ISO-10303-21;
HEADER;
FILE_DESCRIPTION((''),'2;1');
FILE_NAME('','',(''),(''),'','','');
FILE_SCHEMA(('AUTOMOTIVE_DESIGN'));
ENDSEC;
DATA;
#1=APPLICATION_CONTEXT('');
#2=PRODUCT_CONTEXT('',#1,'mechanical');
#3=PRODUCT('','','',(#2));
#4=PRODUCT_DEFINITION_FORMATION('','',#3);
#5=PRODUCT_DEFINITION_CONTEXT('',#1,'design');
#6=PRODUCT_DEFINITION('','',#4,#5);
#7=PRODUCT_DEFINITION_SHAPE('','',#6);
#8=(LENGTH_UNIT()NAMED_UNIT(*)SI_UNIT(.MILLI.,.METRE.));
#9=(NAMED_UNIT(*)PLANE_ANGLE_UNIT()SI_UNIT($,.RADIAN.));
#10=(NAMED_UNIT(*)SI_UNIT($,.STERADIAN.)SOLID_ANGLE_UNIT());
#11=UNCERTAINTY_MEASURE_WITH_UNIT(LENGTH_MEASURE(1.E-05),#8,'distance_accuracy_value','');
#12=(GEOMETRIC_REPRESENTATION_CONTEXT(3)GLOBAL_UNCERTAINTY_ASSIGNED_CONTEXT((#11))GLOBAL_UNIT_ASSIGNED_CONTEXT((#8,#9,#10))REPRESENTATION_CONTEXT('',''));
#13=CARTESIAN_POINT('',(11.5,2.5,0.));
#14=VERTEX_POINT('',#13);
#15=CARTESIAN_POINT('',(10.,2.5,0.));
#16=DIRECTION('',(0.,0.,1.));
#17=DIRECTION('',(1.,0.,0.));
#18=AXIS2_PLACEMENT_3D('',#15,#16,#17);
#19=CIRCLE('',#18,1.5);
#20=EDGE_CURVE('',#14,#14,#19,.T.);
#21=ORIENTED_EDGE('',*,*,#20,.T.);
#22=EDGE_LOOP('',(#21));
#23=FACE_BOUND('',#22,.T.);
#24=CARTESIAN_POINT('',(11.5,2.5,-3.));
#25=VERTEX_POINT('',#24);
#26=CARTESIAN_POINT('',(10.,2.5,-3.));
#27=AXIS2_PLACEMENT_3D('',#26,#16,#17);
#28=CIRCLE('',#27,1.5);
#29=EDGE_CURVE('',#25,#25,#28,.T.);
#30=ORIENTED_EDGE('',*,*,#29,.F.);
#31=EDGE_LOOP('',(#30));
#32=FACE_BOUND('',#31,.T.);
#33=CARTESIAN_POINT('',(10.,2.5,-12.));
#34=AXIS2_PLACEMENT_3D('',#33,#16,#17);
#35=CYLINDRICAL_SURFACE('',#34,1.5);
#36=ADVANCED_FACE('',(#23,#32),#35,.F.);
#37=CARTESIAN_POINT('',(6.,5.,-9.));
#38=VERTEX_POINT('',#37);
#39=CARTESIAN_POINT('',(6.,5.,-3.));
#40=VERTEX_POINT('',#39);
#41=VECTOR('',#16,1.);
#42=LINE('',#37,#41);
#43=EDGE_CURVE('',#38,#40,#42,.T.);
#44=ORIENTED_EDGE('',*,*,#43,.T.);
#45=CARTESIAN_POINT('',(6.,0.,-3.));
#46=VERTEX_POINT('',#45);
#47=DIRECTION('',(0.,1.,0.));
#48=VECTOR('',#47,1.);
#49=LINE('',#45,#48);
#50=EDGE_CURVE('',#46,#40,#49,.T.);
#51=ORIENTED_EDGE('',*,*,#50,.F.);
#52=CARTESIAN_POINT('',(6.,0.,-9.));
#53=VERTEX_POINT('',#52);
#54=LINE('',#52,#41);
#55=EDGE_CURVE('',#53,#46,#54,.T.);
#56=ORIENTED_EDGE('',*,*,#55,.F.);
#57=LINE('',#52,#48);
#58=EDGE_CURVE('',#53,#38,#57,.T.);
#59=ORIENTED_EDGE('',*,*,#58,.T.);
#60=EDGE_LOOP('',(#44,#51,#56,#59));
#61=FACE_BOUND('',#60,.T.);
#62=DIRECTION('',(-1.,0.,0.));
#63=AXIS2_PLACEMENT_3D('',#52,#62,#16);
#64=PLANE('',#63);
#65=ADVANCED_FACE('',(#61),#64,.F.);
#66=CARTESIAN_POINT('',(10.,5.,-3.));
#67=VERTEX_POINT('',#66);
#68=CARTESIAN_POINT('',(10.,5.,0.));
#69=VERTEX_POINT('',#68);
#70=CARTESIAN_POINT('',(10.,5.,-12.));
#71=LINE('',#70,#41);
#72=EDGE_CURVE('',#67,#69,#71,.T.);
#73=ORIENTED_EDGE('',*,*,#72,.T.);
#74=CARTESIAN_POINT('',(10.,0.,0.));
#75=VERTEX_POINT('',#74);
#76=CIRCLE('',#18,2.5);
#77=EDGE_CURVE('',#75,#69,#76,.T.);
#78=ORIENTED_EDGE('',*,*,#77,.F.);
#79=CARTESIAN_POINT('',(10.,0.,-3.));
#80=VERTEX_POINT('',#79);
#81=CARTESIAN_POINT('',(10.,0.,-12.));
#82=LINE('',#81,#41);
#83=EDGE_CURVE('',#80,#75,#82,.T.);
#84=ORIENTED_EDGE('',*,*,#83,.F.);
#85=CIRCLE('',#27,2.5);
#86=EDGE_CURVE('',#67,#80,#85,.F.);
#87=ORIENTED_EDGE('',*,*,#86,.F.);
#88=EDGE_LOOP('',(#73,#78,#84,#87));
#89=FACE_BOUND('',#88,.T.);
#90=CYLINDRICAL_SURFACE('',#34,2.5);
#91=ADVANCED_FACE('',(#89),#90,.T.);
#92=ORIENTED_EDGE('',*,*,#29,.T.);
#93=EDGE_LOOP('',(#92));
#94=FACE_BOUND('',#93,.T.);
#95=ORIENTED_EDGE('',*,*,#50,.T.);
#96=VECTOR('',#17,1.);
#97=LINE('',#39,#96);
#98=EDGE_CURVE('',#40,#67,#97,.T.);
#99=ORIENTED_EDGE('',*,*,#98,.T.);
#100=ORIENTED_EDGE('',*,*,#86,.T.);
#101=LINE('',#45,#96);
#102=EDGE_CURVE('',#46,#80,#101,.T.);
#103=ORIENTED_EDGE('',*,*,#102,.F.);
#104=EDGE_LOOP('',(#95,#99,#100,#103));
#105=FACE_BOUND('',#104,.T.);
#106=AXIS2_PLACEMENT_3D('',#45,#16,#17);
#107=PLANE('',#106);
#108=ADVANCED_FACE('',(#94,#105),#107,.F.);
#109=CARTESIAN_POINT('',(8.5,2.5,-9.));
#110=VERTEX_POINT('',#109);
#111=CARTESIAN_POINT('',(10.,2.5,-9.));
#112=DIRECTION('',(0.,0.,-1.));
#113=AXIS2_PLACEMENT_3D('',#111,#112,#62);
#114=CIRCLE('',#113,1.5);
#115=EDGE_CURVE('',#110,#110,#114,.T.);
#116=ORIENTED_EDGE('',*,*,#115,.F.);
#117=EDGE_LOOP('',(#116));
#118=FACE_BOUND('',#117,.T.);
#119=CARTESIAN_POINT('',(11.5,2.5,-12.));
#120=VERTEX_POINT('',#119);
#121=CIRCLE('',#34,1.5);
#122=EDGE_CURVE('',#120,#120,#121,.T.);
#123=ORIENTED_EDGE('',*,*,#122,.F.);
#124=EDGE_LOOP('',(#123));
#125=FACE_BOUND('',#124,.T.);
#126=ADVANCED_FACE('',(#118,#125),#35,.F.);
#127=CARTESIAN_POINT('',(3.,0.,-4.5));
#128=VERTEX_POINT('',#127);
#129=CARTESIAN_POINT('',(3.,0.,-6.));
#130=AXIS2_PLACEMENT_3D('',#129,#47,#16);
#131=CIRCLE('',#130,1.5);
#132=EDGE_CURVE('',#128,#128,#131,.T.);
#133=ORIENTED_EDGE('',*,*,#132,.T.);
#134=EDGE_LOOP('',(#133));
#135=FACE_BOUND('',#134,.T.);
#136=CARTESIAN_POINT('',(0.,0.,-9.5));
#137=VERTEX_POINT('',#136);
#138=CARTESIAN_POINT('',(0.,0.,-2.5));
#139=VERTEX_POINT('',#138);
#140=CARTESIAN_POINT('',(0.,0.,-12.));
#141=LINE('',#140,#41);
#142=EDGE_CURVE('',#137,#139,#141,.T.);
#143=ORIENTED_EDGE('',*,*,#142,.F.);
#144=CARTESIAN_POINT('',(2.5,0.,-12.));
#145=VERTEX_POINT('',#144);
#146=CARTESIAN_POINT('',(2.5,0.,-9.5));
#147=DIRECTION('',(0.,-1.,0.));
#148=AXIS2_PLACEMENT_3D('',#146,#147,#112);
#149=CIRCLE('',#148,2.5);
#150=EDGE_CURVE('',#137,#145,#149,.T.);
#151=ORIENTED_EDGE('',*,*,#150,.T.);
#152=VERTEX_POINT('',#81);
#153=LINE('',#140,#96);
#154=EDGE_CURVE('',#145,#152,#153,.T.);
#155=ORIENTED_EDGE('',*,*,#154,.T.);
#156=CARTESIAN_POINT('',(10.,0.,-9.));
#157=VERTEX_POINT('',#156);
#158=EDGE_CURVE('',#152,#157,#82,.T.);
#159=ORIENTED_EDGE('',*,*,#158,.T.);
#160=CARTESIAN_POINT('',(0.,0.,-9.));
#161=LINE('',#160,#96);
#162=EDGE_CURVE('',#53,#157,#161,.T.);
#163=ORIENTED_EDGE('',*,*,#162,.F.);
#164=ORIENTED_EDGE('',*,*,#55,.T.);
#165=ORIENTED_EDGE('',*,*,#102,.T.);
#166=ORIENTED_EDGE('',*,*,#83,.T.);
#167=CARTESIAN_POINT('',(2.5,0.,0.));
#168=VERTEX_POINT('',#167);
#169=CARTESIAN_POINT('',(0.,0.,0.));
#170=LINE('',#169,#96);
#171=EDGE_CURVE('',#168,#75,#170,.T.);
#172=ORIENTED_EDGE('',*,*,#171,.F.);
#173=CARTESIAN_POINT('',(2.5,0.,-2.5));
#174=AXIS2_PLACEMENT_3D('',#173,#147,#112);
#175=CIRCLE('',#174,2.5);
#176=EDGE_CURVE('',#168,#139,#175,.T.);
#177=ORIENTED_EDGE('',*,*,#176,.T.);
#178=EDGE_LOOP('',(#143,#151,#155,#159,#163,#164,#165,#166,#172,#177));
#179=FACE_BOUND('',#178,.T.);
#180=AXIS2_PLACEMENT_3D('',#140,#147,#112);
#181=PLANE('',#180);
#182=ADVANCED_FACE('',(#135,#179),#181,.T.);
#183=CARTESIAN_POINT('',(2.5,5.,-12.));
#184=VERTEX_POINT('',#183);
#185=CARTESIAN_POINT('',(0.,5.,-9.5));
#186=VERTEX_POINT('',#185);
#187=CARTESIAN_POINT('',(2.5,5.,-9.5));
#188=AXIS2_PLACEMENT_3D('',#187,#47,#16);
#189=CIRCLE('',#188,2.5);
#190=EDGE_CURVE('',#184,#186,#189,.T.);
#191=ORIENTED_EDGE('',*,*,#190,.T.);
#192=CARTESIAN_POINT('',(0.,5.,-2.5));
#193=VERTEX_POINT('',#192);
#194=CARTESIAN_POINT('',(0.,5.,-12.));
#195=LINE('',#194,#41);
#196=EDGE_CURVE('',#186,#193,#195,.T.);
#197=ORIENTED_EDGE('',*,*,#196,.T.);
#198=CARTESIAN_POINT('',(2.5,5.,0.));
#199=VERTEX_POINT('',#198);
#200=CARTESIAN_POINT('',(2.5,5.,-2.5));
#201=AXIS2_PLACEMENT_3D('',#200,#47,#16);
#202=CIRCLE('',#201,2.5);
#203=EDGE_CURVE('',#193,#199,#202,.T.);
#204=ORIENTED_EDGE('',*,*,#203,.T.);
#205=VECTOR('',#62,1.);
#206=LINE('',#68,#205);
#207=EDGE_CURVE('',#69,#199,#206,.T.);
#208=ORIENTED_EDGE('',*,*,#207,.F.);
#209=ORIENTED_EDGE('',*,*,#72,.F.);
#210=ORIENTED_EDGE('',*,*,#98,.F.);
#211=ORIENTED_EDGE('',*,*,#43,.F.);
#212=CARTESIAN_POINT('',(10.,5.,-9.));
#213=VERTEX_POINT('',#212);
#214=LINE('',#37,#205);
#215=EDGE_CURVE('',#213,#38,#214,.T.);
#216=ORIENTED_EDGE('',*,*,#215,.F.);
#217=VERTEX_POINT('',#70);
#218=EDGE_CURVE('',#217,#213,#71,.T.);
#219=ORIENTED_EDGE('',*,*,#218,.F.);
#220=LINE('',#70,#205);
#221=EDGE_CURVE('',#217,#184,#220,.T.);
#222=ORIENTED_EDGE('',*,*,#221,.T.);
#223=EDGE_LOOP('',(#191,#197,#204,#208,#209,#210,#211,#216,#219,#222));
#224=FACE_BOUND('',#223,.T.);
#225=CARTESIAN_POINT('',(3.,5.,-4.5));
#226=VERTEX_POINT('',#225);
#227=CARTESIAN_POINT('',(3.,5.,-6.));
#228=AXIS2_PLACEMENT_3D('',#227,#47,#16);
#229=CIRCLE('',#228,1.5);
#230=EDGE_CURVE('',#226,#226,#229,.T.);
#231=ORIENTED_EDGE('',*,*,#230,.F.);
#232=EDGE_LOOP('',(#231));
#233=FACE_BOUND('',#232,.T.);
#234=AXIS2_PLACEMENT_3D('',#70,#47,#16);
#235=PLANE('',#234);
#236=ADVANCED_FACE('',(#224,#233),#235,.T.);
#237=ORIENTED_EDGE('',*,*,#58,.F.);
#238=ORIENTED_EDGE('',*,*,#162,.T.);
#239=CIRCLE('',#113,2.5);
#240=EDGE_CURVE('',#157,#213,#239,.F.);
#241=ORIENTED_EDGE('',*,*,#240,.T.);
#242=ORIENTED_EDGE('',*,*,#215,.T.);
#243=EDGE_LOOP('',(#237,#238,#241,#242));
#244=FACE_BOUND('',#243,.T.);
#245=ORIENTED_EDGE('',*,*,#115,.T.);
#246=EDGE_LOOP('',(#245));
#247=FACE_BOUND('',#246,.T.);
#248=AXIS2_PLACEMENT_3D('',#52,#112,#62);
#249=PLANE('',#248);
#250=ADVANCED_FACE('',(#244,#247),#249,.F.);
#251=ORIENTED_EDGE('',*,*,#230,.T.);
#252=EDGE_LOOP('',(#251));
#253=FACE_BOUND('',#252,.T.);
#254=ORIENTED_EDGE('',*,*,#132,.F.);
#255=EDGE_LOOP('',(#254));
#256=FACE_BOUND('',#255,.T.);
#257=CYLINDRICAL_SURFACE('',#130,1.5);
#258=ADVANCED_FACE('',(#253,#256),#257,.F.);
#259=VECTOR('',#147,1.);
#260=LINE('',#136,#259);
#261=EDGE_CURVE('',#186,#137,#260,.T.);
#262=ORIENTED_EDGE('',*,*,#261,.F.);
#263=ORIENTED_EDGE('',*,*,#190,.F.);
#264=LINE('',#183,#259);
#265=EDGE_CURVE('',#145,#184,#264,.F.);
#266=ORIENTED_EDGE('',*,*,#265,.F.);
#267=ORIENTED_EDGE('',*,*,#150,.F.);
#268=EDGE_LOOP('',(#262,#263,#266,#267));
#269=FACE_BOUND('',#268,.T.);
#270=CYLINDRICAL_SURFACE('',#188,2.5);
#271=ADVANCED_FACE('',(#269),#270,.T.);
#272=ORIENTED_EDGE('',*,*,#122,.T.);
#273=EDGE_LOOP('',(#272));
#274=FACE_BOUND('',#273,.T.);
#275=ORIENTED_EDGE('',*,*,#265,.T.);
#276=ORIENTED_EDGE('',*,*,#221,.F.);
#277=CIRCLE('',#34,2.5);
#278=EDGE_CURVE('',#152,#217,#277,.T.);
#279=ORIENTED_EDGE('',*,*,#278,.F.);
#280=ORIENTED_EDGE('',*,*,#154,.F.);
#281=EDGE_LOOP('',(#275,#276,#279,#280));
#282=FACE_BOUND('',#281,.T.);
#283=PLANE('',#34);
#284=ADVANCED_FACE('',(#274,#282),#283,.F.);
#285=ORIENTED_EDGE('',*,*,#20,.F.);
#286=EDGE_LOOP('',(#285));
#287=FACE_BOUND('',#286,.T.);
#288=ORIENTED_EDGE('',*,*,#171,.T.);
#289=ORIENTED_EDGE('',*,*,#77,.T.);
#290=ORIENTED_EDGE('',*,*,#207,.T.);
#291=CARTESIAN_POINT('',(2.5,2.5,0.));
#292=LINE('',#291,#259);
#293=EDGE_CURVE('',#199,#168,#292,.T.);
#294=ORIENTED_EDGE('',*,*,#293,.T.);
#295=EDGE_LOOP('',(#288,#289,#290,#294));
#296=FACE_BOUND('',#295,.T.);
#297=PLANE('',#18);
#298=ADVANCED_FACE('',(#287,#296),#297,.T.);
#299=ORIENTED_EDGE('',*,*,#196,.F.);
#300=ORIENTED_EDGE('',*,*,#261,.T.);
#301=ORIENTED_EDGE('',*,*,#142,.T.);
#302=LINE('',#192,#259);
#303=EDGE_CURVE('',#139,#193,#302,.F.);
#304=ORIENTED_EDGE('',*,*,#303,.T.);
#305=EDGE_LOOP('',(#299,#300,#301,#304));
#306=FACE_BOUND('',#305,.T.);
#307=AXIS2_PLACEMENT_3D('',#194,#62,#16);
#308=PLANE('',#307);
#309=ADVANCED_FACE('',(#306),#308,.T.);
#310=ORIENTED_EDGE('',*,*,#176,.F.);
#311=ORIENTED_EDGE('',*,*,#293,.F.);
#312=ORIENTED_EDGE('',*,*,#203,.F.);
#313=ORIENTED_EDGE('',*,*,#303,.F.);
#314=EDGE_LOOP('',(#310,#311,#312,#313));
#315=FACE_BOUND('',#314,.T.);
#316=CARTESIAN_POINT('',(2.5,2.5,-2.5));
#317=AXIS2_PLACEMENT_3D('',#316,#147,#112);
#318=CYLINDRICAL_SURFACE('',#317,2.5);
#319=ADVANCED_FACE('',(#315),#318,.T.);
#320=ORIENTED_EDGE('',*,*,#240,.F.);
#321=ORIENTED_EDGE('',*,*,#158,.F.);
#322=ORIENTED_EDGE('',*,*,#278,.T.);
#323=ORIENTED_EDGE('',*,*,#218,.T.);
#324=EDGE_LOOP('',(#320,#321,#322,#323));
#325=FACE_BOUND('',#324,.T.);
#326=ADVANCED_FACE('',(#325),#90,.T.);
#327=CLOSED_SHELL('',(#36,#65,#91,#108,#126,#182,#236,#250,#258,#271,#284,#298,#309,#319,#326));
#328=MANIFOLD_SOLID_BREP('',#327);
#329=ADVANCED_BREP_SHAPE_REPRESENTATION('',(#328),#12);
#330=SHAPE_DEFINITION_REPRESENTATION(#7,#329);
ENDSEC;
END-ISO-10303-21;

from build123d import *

# Parameters (mm, degrees)
BOSS_EXTRUDE1_DEPTH = 12
SKETCH2_W           = 6.5
SKETCH2_H           = 6
CUT_EXTRUDE1_DEPTH  = 19.034688797
SKETCH3_R           = 1.5
CUT_EXTRUDE2_DEPTH  = 12
SKETCH6_R           = 1.5
CUT_EXTRUDE3_DEPTH  = 19.034688797
FILLET1_R           = 2.5


with BuildPart() as part:
    # Sketch1 → Boss-Extrude1 (new body)
    with BuildSketch(Plane.XY):
        with BuildLine():
            Line((0, 0), (10, 0))
            ThreePointArc((10, 0), (12.5, 2.5), (10, 5))
            Line((10, 5), (0, 5))
            Line((0, 5), (0, 0))
        make_face()
    extrude(amount=-BOSS_EXTRUDE1_DEPTH)

    # Sketch2 → Cut-Extrude1 (cut, through all)
    with BuildSketch(Plane(origin=(0, 5, 0), x_dir=(1, 0, 0), z_dir=(0, 1, 0))):
        with Locations((9.25, 6)):
            Rectangle(SKETCH2_W, SKETCH2_H)
    extrude(amount=-CUT_EXTRUDE1_DEPTH, mode=Mode.SUBTRACT)

    # Sketch3 → Cut-Extrude2 (cut)
    with BuildSketch(Plane.XY):
        with Locations((10, 2.5)):
            Circle(SKETCH3_R)
    extrude(amount=-CUT_EXTRUDE2_DEPTH, mode=Mode.SUBTRACT)

    # Sketch6 → Cut-Extrude3 (cut, through all)
    with BuildSketch(Plane(origin=(0, 5, 0), x_dir=(1, 0, 0), z_dir=(0, 1, 0))):
        with Locations(Location((3, 6, 0), (0, 0, 270))):
            Circle(SKETCH6_R)
    extrude(amount=-CUT_EXTRUDE3_DEPTH, mode=Mode.SUBTRACT)

    # Fillet1
    fillet1_edges = [part.edges().sort_by_distance(p)[0] for p in [
        (0, 2.5, -12),
        (0, 2.5, 0),
    ]]
    fillet(fillet1_edges, radius=FILLET1_R)


solid = part.part
